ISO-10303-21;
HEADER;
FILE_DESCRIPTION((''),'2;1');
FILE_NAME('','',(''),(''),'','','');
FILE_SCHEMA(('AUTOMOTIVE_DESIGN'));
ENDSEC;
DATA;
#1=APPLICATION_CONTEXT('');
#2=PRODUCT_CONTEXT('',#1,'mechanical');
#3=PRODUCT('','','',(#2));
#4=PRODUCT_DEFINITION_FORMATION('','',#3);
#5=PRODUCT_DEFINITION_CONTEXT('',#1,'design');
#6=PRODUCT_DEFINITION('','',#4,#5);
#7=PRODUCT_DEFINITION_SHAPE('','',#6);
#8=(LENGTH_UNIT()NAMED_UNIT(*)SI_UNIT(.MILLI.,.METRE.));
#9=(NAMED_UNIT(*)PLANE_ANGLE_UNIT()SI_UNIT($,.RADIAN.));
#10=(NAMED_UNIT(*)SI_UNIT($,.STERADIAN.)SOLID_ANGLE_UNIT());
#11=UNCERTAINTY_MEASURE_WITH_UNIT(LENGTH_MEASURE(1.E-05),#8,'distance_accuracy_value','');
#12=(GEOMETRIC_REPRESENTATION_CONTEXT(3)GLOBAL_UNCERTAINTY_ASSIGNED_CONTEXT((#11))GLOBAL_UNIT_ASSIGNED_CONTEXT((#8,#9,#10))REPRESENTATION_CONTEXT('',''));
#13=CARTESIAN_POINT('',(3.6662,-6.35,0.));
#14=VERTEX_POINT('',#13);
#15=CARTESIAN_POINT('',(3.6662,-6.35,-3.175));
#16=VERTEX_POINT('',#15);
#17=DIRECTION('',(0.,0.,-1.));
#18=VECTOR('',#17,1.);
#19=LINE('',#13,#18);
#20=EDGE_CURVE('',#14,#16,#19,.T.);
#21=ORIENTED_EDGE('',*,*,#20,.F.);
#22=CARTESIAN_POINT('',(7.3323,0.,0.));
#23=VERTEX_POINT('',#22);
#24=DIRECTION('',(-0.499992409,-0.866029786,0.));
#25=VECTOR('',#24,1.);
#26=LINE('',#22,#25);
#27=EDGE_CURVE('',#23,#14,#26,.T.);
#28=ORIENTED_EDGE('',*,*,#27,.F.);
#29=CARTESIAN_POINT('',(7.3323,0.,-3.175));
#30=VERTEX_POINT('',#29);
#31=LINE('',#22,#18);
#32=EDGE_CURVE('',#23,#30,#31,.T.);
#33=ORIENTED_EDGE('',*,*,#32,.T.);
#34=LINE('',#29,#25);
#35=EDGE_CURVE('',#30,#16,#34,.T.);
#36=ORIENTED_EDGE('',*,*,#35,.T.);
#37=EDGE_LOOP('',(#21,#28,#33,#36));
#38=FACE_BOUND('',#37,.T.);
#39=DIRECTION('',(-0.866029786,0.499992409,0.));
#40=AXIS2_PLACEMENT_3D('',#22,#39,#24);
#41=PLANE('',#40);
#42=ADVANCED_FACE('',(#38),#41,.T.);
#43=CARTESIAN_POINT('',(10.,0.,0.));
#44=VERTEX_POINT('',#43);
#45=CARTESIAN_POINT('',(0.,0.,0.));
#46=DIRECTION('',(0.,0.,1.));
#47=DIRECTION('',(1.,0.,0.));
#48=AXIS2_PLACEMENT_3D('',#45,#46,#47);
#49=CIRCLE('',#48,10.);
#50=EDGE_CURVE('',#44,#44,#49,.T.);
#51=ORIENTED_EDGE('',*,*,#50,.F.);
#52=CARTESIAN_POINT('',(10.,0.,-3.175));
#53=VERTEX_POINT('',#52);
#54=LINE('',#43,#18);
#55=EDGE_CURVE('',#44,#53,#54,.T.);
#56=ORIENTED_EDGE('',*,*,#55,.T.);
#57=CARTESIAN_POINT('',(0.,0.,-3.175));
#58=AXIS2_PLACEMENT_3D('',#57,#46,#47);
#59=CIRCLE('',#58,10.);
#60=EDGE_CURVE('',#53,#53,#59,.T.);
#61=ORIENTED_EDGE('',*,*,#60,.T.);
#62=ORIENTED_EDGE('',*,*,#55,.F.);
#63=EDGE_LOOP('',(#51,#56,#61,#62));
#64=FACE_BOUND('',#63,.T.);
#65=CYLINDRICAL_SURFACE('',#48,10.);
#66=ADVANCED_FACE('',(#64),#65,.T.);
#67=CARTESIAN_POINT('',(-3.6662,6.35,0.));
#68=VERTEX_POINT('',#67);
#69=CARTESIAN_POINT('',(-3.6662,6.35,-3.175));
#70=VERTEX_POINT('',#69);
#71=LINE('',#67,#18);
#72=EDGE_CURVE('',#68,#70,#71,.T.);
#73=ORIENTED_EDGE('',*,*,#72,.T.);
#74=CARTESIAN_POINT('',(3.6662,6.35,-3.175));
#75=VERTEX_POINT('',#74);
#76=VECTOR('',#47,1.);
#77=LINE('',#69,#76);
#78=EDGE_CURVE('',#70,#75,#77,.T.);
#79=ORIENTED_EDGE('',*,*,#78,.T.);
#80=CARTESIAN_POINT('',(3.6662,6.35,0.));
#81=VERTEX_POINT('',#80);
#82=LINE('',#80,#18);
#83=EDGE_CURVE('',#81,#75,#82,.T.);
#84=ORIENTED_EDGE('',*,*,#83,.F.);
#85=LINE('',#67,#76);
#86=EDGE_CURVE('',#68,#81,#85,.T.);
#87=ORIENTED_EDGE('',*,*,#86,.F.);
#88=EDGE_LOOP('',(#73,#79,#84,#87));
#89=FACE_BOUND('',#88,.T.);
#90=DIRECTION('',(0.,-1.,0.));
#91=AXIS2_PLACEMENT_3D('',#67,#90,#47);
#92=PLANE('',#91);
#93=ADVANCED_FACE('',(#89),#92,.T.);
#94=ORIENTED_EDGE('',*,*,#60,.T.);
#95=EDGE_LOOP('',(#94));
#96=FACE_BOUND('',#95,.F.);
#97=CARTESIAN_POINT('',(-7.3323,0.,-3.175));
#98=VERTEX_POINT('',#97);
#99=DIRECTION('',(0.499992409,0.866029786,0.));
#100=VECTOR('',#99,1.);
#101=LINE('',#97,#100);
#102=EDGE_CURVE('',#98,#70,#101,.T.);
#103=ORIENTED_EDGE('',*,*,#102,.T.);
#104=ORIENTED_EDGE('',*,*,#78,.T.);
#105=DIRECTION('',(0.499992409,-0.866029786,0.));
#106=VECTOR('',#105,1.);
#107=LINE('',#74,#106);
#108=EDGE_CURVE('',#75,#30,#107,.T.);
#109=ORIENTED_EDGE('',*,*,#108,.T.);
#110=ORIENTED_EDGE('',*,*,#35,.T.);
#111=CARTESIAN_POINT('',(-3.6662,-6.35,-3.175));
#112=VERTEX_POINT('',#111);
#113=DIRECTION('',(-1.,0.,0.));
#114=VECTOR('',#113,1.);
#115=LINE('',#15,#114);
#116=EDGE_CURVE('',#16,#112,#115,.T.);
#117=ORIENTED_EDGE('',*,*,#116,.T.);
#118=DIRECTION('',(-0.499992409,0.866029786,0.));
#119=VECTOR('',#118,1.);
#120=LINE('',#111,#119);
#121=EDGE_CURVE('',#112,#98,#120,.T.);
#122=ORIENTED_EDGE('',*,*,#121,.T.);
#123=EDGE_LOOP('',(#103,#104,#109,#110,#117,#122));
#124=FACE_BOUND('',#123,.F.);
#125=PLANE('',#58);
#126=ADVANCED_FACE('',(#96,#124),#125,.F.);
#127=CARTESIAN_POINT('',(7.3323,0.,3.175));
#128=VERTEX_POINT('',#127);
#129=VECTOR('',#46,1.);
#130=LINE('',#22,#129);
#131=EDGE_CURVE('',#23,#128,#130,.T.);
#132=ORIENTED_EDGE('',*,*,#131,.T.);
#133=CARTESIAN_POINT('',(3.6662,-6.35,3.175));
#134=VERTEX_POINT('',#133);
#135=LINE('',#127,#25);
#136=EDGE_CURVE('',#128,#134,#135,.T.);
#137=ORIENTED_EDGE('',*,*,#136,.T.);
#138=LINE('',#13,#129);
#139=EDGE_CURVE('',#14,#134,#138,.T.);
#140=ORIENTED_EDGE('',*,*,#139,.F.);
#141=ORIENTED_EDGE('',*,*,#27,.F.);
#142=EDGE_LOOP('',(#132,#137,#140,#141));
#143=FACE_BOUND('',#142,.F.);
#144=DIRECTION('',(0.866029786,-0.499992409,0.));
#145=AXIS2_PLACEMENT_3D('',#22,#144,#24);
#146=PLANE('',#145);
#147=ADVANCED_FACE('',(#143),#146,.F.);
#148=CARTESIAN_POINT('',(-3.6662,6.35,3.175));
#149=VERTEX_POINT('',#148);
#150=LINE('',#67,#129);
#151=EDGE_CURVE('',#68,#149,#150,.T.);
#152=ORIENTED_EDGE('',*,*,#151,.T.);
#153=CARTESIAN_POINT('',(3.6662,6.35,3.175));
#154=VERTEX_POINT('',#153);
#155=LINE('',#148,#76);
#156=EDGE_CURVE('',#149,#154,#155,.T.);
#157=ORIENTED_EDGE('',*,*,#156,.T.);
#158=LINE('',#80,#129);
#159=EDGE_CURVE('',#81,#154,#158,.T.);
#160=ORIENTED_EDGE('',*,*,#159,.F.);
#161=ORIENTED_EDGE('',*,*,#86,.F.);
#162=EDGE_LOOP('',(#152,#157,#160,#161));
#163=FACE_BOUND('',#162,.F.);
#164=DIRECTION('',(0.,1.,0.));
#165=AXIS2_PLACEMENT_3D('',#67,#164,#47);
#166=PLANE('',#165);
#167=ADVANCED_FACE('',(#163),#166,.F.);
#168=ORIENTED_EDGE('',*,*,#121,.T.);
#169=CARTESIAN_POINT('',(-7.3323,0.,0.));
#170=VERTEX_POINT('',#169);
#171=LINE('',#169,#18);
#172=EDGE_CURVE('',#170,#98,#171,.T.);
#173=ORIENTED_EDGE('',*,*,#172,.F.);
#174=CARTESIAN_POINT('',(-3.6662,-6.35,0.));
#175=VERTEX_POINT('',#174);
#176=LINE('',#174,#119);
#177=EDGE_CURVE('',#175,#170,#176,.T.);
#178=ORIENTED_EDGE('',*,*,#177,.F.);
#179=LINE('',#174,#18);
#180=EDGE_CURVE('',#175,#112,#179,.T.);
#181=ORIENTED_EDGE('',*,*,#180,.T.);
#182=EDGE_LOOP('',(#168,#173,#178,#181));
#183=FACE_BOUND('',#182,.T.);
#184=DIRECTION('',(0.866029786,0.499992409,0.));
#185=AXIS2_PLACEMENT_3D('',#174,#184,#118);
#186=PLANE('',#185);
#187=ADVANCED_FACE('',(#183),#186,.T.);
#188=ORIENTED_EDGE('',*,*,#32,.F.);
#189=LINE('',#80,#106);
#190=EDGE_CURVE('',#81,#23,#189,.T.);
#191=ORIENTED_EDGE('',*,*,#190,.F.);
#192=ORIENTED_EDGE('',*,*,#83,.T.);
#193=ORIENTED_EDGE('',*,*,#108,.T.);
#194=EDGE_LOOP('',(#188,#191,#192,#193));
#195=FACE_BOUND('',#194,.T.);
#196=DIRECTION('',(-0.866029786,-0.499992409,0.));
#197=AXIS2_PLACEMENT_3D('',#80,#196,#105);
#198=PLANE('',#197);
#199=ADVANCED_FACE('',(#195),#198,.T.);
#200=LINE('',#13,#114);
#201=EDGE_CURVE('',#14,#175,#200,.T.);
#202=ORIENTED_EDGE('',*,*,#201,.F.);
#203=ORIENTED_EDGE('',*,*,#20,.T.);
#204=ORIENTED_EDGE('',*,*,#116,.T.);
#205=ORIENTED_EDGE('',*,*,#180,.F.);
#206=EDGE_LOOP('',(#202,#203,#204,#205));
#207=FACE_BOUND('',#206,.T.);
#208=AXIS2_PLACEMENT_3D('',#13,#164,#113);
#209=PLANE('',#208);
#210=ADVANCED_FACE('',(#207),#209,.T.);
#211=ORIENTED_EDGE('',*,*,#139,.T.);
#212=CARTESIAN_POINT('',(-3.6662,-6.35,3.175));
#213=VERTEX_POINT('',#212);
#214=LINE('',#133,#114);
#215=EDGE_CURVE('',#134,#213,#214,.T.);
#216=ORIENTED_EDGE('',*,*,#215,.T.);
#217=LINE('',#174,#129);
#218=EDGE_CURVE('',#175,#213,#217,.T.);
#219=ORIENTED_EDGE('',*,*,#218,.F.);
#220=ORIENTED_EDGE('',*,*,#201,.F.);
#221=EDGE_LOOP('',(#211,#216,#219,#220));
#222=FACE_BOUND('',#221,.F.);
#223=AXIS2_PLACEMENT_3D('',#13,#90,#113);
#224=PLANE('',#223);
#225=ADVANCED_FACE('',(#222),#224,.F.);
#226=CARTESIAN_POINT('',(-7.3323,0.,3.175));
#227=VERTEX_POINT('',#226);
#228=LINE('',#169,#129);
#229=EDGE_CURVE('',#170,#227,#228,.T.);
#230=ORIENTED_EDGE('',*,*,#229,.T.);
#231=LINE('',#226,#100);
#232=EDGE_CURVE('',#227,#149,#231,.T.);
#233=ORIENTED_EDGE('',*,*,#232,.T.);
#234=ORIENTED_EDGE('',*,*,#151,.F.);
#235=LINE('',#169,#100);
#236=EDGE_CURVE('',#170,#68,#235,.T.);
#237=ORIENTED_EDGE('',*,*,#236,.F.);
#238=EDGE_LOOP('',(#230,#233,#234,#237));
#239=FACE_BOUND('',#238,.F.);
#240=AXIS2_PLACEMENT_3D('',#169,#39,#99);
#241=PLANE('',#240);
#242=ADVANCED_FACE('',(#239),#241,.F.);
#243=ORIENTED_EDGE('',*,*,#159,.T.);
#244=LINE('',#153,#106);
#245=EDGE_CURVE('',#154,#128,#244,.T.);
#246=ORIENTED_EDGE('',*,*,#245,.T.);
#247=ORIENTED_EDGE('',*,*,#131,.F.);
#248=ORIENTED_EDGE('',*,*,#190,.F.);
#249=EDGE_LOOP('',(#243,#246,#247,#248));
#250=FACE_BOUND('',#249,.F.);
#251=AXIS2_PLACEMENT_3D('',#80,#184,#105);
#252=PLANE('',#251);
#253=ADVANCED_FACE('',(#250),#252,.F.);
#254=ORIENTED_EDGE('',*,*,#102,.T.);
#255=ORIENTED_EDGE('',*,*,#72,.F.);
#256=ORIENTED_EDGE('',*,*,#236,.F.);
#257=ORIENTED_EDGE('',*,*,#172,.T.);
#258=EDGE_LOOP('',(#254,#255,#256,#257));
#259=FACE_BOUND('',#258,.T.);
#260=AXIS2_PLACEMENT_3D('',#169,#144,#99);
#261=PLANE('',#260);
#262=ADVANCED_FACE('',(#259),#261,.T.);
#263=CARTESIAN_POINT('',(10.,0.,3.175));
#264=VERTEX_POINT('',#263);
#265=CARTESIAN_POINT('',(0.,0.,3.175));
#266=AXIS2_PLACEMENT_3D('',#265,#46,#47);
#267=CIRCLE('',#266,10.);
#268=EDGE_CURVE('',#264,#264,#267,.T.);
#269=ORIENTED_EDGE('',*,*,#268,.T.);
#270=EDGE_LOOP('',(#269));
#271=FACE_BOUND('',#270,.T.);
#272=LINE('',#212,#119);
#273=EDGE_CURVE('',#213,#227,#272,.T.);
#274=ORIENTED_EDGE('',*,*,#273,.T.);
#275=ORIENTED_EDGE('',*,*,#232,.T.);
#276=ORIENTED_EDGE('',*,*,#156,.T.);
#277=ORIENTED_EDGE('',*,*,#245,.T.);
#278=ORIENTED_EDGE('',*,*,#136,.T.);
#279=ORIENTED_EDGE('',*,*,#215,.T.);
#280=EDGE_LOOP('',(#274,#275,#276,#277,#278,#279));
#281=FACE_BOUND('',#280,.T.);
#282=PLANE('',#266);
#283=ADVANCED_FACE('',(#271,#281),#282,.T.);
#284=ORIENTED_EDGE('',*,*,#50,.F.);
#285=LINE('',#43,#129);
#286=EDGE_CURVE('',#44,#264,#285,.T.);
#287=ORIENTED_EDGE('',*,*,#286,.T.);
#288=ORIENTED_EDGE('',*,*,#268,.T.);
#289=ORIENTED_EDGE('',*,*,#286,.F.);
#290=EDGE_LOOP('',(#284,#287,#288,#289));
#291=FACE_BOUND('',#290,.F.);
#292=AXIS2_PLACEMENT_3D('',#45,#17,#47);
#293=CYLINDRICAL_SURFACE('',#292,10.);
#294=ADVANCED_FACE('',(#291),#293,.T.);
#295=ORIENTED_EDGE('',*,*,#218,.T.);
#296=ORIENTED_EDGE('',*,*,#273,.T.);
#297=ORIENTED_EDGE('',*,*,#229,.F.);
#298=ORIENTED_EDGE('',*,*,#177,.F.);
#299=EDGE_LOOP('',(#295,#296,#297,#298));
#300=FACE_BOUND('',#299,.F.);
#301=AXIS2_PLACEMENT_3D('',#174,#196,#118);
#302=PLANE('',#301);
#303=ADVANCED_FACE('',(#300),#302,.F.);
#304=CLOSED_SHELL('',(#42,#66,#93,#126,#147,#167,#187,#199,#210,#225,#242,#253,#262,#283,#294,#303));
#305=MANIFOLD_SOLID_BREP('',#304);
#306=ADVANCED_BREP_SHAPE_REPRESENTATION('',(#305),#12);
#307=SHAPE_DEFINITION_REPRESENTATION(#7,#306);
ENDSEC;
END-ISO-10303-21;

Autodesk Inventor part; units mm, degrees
ref_plane "YZ Plane" through (0, 0, 0) normal (1, 0, 0) x (0, 1, 0)
ref_plane "XZ Plane" through (0, 0, 0) normal (0, 1, 0) x (-1, 0, 0)
ref_plane "XY Plane" through (0, 0, 0) normal (0, 0, 1) x (1, 0, 0)
sketch "Sketch1" plane through (0, 0, 0) normal (0, 0, 1) x (1, 0, 0)
  circle A0 centre (0, 0) radius 10
  line L0 (-3.6662, 6.35) -> (3.6662, 6.35)
  line L1 (3.6662, 6.35) -> (7.3323, 0)
  line L2 (7.3323, 0) -> (3.6662, -6.35)
  line L3 (3.6662, -6.35) -> (-3.6662, -6.35)
  line L4 (-3.6662, -6.35) -> (-7.3323, 0)
  line L5 (-7.3323, 0) -> (-3.6662, 6.35)
  dimension "d0" = 12.7
  dimension "d1" = 20
extrude "Extrusion1" add sketch "Sketch1" along normal mid plane 6.35
properties part number "PULLY_SPACER_INTAKE" material "3D Print Material - chopped carbon Nylon12 (preferred)"
